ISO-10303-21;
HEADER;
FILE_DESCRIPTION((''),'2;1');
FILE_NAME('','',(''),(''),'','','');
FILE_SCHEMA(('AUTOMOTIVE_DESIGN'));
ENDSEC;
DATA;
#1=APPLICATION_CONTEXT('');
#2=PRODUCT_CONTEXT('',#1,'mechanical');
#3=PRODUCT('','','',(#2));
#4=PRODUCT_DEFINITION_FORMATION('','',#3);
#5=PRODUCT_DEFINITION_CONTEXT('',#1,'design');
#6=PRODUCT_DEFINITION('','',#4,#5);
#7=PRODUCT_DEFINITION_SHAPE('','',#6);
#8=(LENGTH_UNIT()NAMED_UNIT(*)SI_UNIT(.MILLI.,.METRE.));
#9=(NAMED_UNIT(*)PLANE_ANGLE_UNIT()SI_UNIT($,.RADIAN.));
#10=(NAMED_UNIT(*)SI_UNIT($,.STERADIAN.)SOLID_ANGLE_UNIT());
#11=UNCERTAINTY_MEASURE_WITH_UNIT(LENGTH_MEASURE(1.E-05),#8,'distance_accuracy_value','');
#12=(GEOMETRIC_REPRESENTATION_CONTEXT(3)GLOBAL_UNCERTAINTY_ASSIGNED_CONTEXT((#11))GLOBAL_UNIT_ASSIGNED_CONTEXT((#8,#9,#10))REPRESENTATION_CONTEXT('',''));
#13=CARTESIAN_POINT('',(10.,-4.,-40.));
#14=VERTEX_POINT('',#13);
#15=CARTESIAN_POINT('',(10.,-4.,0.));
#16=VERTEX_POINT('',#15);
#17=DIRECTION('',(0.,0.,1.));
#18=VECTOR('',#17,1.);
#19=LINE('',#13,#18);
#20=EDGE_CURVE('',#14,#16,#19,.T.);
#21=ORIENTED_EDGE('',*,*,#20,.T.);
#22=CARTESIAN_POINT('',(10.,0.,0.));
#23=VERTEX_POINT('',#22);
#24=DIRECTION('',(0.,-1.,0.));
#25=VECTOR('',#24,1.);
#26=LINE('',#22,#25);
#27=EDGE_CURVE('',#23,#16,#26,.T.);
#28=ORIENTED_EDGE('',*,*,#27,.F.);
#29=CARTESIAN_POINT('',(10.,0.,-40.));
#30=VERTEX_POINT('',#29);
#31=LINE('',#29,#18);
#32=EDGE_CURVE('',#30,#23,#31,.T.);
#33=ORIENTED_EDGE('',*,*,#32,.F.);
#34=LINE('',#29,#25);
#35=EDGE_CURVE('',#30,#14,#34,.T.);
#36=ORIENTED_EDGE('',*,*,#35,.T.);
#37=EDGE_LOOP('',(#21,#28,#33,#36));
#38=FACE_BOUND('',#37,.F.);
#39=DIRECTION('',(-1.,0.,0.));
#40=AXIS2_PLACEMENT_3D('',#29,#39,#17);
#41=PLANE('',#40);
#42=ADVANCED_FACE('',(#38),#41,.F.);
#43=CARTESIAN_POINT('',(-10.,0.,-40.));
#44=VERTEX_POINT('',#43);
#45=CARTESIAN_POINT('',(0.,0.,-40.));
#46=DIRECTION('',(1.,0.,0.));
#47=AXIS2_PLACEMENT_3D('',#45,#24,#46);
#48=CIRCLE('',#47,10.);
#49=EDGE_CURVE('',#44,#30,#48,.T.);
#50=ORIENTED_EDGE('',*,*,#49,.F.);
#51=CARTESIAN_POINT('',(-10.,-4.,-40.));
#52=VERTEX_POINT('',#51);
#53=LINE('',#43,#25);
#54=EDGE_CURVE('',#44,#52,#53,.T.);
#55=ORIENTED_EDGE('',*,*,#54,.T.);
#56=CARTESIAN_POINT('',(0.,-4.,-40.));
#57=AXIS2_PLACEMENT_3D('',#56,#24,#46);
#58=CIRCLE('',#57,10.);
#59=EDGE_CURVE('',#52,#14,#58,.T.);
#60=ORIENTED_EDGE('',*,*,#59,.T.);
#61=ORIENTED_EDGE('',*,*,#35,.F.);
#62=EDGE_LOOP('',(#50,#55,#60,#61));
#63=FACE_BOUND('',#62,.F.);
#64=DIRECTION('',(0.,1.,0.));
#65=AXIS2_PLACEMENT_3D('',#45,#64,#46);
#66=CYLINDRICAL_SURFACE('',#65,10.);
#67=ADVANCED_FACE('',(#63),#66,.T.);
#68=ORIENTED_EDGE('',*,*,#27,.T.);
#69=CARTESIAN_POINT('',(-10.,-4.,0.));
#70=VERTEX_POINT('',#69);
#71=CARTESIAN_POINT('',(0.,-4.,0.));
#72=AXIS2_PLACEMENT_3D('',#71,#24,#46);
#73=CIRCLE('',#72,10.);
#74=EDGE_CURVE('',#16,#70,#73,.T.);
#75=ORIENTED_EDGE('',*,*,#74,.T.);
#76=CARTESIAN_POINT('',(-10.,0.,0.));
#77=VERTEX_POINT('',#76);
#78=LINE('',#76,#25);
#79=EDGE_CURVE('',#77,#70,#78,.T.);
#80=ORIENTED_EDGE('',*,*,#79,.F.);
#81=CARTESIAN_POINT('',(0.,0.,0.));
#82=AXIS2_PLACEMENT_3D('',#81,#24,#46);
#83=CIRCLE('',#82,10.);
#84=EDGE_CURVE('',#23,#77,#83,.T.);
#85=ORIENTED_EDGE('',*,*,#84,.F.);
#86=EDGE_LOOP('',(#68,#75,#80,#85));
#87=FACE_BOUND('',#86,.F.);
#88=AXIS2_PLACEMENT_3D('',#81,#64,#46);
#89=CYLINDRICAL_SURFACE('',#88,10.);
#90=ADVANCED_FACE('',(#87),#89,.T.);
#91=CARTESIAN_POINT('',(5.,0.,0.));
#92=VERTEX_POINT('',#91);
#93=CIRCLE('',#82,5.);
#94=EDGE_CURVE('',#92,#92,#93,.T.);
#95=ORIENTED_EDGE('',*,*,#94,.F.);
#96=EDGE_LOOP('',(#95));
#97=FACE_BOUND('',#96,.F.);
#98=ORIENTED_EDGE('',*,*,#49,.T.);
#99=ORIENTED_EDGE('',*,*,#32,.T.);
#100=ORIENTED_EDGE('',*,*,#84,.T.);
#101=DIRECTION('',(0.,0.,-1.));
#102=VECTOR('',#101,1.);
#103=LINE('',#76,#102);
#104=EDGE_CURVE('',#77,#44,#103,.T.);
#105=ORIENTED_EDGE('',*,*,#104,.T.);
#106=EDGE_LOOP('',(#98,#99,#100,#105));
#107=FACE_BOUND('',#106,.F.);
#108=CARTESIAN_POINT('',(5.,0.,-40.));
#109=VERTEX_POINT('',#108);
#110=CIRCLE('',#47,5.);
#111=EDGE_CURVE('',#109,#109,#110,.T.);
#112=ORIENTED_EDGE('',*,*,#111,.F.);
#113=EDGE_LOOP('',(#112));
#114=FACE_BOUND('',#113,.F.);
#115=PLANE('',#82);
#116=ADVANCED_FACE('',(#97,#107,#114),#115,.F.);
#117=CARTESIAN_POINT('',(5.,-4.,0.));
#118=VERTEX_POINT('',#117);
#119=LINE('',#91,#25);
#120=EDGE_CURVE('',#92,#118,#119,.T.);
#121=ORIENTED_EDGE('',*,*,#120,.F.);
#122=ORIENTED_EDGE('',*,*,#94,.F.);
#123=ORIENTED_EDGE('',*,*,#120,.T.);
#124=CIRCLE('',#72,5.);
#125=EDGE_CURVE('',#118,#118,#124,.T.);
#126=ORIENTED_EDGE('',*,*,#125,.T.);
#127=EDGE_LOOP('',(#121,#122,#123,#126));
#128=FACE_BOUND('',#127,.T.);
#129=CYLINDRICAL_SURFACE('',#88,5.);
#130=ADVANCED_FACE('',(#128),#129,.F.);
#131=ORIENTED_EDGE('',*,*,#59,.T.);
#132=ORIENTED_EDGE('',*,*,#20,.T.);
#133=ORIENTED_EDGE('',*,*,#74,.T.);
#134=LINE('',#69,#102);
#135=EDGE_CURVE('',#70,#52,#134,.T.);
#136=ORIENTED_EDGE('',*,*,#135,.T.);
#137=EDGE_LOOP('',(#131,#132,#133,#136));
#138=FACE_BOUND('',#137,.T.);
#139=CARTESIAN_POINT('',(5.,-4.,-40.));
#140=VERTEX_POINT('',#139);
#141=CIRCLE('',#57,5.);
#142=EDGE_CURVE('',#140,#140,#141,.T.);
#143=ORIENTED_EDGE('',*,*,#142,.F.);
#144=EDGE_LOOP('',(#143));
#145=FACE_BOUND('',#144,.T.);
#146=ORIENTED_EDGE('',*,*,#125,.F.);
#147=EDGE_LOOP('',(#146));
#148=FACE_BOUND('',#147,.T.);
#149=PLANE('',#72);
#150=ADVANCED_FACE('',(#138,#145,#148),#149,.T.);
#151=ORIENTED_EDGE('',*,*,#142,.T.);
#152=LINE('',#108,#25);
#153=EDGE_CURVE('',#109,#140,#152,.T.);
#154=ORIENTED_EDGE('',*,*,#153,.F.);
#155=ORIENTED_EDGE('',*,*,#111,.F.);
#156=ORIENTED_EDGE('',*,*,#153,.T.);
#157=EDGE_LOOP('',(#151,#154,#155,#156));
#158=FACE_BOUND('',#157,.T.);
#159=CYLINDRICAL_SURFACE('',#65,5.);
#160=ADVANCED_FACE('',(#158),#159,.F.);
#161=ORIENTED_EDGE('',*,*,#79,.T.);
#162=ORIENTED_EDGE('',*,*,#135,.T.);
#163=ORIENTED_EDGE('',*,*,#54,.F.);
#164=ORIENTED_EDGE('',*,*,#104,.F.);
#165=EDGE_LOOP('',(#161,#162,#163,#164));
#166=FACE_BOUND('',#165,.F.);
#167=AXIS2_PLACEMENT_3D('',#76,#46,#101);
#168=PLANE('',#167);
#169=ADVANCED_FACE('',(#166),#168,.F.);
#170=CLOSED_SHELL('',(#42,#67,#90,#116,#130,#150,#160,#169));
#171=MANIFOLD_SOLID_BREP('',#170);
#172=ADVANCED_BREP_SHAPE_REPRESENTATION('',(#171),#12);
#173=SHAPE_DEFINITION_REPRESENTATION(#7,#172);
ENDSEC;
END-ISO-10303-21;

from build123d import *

# Parameters (mm, degrees)
F0_R     = 5
F1_DEPTH = 4


with BuildPart() as f1:
    # F0 (on Front) → F1 (new body)
    with BuildSketch(Plane.XZ):
        with BuildLine():
            ThreePointArc((-10, 0), (0, -10), (10, 0))
            ThreePointArc((10, 0), (0, 10), (-10, 0))
        make_face()
        Circle(F0_R, mode=Mode.SUBTRACT)
        with BuildLine():
            Line((10, -40), (10, 0))
            ThreePointArc((10, 0), (0, -10), (-10, 0))
            Line((-10, 0), (-10, -40))
            ThreePointArc((-10, -40), (0, -30), (10, -40))
        make_face()
        with BuildLine():
            ThreePointArc((-10, -40), (0, -50), (10, -40))
            ThreePointArc((10, -40), (0, -30), (-10, -40))
        make_face()
        with Locations((0, -40)):
            Circle(F0_R, mode=Mode.SUBTRACT)
    extrude(amount=F1_DEPTH)


solid = f1.part
